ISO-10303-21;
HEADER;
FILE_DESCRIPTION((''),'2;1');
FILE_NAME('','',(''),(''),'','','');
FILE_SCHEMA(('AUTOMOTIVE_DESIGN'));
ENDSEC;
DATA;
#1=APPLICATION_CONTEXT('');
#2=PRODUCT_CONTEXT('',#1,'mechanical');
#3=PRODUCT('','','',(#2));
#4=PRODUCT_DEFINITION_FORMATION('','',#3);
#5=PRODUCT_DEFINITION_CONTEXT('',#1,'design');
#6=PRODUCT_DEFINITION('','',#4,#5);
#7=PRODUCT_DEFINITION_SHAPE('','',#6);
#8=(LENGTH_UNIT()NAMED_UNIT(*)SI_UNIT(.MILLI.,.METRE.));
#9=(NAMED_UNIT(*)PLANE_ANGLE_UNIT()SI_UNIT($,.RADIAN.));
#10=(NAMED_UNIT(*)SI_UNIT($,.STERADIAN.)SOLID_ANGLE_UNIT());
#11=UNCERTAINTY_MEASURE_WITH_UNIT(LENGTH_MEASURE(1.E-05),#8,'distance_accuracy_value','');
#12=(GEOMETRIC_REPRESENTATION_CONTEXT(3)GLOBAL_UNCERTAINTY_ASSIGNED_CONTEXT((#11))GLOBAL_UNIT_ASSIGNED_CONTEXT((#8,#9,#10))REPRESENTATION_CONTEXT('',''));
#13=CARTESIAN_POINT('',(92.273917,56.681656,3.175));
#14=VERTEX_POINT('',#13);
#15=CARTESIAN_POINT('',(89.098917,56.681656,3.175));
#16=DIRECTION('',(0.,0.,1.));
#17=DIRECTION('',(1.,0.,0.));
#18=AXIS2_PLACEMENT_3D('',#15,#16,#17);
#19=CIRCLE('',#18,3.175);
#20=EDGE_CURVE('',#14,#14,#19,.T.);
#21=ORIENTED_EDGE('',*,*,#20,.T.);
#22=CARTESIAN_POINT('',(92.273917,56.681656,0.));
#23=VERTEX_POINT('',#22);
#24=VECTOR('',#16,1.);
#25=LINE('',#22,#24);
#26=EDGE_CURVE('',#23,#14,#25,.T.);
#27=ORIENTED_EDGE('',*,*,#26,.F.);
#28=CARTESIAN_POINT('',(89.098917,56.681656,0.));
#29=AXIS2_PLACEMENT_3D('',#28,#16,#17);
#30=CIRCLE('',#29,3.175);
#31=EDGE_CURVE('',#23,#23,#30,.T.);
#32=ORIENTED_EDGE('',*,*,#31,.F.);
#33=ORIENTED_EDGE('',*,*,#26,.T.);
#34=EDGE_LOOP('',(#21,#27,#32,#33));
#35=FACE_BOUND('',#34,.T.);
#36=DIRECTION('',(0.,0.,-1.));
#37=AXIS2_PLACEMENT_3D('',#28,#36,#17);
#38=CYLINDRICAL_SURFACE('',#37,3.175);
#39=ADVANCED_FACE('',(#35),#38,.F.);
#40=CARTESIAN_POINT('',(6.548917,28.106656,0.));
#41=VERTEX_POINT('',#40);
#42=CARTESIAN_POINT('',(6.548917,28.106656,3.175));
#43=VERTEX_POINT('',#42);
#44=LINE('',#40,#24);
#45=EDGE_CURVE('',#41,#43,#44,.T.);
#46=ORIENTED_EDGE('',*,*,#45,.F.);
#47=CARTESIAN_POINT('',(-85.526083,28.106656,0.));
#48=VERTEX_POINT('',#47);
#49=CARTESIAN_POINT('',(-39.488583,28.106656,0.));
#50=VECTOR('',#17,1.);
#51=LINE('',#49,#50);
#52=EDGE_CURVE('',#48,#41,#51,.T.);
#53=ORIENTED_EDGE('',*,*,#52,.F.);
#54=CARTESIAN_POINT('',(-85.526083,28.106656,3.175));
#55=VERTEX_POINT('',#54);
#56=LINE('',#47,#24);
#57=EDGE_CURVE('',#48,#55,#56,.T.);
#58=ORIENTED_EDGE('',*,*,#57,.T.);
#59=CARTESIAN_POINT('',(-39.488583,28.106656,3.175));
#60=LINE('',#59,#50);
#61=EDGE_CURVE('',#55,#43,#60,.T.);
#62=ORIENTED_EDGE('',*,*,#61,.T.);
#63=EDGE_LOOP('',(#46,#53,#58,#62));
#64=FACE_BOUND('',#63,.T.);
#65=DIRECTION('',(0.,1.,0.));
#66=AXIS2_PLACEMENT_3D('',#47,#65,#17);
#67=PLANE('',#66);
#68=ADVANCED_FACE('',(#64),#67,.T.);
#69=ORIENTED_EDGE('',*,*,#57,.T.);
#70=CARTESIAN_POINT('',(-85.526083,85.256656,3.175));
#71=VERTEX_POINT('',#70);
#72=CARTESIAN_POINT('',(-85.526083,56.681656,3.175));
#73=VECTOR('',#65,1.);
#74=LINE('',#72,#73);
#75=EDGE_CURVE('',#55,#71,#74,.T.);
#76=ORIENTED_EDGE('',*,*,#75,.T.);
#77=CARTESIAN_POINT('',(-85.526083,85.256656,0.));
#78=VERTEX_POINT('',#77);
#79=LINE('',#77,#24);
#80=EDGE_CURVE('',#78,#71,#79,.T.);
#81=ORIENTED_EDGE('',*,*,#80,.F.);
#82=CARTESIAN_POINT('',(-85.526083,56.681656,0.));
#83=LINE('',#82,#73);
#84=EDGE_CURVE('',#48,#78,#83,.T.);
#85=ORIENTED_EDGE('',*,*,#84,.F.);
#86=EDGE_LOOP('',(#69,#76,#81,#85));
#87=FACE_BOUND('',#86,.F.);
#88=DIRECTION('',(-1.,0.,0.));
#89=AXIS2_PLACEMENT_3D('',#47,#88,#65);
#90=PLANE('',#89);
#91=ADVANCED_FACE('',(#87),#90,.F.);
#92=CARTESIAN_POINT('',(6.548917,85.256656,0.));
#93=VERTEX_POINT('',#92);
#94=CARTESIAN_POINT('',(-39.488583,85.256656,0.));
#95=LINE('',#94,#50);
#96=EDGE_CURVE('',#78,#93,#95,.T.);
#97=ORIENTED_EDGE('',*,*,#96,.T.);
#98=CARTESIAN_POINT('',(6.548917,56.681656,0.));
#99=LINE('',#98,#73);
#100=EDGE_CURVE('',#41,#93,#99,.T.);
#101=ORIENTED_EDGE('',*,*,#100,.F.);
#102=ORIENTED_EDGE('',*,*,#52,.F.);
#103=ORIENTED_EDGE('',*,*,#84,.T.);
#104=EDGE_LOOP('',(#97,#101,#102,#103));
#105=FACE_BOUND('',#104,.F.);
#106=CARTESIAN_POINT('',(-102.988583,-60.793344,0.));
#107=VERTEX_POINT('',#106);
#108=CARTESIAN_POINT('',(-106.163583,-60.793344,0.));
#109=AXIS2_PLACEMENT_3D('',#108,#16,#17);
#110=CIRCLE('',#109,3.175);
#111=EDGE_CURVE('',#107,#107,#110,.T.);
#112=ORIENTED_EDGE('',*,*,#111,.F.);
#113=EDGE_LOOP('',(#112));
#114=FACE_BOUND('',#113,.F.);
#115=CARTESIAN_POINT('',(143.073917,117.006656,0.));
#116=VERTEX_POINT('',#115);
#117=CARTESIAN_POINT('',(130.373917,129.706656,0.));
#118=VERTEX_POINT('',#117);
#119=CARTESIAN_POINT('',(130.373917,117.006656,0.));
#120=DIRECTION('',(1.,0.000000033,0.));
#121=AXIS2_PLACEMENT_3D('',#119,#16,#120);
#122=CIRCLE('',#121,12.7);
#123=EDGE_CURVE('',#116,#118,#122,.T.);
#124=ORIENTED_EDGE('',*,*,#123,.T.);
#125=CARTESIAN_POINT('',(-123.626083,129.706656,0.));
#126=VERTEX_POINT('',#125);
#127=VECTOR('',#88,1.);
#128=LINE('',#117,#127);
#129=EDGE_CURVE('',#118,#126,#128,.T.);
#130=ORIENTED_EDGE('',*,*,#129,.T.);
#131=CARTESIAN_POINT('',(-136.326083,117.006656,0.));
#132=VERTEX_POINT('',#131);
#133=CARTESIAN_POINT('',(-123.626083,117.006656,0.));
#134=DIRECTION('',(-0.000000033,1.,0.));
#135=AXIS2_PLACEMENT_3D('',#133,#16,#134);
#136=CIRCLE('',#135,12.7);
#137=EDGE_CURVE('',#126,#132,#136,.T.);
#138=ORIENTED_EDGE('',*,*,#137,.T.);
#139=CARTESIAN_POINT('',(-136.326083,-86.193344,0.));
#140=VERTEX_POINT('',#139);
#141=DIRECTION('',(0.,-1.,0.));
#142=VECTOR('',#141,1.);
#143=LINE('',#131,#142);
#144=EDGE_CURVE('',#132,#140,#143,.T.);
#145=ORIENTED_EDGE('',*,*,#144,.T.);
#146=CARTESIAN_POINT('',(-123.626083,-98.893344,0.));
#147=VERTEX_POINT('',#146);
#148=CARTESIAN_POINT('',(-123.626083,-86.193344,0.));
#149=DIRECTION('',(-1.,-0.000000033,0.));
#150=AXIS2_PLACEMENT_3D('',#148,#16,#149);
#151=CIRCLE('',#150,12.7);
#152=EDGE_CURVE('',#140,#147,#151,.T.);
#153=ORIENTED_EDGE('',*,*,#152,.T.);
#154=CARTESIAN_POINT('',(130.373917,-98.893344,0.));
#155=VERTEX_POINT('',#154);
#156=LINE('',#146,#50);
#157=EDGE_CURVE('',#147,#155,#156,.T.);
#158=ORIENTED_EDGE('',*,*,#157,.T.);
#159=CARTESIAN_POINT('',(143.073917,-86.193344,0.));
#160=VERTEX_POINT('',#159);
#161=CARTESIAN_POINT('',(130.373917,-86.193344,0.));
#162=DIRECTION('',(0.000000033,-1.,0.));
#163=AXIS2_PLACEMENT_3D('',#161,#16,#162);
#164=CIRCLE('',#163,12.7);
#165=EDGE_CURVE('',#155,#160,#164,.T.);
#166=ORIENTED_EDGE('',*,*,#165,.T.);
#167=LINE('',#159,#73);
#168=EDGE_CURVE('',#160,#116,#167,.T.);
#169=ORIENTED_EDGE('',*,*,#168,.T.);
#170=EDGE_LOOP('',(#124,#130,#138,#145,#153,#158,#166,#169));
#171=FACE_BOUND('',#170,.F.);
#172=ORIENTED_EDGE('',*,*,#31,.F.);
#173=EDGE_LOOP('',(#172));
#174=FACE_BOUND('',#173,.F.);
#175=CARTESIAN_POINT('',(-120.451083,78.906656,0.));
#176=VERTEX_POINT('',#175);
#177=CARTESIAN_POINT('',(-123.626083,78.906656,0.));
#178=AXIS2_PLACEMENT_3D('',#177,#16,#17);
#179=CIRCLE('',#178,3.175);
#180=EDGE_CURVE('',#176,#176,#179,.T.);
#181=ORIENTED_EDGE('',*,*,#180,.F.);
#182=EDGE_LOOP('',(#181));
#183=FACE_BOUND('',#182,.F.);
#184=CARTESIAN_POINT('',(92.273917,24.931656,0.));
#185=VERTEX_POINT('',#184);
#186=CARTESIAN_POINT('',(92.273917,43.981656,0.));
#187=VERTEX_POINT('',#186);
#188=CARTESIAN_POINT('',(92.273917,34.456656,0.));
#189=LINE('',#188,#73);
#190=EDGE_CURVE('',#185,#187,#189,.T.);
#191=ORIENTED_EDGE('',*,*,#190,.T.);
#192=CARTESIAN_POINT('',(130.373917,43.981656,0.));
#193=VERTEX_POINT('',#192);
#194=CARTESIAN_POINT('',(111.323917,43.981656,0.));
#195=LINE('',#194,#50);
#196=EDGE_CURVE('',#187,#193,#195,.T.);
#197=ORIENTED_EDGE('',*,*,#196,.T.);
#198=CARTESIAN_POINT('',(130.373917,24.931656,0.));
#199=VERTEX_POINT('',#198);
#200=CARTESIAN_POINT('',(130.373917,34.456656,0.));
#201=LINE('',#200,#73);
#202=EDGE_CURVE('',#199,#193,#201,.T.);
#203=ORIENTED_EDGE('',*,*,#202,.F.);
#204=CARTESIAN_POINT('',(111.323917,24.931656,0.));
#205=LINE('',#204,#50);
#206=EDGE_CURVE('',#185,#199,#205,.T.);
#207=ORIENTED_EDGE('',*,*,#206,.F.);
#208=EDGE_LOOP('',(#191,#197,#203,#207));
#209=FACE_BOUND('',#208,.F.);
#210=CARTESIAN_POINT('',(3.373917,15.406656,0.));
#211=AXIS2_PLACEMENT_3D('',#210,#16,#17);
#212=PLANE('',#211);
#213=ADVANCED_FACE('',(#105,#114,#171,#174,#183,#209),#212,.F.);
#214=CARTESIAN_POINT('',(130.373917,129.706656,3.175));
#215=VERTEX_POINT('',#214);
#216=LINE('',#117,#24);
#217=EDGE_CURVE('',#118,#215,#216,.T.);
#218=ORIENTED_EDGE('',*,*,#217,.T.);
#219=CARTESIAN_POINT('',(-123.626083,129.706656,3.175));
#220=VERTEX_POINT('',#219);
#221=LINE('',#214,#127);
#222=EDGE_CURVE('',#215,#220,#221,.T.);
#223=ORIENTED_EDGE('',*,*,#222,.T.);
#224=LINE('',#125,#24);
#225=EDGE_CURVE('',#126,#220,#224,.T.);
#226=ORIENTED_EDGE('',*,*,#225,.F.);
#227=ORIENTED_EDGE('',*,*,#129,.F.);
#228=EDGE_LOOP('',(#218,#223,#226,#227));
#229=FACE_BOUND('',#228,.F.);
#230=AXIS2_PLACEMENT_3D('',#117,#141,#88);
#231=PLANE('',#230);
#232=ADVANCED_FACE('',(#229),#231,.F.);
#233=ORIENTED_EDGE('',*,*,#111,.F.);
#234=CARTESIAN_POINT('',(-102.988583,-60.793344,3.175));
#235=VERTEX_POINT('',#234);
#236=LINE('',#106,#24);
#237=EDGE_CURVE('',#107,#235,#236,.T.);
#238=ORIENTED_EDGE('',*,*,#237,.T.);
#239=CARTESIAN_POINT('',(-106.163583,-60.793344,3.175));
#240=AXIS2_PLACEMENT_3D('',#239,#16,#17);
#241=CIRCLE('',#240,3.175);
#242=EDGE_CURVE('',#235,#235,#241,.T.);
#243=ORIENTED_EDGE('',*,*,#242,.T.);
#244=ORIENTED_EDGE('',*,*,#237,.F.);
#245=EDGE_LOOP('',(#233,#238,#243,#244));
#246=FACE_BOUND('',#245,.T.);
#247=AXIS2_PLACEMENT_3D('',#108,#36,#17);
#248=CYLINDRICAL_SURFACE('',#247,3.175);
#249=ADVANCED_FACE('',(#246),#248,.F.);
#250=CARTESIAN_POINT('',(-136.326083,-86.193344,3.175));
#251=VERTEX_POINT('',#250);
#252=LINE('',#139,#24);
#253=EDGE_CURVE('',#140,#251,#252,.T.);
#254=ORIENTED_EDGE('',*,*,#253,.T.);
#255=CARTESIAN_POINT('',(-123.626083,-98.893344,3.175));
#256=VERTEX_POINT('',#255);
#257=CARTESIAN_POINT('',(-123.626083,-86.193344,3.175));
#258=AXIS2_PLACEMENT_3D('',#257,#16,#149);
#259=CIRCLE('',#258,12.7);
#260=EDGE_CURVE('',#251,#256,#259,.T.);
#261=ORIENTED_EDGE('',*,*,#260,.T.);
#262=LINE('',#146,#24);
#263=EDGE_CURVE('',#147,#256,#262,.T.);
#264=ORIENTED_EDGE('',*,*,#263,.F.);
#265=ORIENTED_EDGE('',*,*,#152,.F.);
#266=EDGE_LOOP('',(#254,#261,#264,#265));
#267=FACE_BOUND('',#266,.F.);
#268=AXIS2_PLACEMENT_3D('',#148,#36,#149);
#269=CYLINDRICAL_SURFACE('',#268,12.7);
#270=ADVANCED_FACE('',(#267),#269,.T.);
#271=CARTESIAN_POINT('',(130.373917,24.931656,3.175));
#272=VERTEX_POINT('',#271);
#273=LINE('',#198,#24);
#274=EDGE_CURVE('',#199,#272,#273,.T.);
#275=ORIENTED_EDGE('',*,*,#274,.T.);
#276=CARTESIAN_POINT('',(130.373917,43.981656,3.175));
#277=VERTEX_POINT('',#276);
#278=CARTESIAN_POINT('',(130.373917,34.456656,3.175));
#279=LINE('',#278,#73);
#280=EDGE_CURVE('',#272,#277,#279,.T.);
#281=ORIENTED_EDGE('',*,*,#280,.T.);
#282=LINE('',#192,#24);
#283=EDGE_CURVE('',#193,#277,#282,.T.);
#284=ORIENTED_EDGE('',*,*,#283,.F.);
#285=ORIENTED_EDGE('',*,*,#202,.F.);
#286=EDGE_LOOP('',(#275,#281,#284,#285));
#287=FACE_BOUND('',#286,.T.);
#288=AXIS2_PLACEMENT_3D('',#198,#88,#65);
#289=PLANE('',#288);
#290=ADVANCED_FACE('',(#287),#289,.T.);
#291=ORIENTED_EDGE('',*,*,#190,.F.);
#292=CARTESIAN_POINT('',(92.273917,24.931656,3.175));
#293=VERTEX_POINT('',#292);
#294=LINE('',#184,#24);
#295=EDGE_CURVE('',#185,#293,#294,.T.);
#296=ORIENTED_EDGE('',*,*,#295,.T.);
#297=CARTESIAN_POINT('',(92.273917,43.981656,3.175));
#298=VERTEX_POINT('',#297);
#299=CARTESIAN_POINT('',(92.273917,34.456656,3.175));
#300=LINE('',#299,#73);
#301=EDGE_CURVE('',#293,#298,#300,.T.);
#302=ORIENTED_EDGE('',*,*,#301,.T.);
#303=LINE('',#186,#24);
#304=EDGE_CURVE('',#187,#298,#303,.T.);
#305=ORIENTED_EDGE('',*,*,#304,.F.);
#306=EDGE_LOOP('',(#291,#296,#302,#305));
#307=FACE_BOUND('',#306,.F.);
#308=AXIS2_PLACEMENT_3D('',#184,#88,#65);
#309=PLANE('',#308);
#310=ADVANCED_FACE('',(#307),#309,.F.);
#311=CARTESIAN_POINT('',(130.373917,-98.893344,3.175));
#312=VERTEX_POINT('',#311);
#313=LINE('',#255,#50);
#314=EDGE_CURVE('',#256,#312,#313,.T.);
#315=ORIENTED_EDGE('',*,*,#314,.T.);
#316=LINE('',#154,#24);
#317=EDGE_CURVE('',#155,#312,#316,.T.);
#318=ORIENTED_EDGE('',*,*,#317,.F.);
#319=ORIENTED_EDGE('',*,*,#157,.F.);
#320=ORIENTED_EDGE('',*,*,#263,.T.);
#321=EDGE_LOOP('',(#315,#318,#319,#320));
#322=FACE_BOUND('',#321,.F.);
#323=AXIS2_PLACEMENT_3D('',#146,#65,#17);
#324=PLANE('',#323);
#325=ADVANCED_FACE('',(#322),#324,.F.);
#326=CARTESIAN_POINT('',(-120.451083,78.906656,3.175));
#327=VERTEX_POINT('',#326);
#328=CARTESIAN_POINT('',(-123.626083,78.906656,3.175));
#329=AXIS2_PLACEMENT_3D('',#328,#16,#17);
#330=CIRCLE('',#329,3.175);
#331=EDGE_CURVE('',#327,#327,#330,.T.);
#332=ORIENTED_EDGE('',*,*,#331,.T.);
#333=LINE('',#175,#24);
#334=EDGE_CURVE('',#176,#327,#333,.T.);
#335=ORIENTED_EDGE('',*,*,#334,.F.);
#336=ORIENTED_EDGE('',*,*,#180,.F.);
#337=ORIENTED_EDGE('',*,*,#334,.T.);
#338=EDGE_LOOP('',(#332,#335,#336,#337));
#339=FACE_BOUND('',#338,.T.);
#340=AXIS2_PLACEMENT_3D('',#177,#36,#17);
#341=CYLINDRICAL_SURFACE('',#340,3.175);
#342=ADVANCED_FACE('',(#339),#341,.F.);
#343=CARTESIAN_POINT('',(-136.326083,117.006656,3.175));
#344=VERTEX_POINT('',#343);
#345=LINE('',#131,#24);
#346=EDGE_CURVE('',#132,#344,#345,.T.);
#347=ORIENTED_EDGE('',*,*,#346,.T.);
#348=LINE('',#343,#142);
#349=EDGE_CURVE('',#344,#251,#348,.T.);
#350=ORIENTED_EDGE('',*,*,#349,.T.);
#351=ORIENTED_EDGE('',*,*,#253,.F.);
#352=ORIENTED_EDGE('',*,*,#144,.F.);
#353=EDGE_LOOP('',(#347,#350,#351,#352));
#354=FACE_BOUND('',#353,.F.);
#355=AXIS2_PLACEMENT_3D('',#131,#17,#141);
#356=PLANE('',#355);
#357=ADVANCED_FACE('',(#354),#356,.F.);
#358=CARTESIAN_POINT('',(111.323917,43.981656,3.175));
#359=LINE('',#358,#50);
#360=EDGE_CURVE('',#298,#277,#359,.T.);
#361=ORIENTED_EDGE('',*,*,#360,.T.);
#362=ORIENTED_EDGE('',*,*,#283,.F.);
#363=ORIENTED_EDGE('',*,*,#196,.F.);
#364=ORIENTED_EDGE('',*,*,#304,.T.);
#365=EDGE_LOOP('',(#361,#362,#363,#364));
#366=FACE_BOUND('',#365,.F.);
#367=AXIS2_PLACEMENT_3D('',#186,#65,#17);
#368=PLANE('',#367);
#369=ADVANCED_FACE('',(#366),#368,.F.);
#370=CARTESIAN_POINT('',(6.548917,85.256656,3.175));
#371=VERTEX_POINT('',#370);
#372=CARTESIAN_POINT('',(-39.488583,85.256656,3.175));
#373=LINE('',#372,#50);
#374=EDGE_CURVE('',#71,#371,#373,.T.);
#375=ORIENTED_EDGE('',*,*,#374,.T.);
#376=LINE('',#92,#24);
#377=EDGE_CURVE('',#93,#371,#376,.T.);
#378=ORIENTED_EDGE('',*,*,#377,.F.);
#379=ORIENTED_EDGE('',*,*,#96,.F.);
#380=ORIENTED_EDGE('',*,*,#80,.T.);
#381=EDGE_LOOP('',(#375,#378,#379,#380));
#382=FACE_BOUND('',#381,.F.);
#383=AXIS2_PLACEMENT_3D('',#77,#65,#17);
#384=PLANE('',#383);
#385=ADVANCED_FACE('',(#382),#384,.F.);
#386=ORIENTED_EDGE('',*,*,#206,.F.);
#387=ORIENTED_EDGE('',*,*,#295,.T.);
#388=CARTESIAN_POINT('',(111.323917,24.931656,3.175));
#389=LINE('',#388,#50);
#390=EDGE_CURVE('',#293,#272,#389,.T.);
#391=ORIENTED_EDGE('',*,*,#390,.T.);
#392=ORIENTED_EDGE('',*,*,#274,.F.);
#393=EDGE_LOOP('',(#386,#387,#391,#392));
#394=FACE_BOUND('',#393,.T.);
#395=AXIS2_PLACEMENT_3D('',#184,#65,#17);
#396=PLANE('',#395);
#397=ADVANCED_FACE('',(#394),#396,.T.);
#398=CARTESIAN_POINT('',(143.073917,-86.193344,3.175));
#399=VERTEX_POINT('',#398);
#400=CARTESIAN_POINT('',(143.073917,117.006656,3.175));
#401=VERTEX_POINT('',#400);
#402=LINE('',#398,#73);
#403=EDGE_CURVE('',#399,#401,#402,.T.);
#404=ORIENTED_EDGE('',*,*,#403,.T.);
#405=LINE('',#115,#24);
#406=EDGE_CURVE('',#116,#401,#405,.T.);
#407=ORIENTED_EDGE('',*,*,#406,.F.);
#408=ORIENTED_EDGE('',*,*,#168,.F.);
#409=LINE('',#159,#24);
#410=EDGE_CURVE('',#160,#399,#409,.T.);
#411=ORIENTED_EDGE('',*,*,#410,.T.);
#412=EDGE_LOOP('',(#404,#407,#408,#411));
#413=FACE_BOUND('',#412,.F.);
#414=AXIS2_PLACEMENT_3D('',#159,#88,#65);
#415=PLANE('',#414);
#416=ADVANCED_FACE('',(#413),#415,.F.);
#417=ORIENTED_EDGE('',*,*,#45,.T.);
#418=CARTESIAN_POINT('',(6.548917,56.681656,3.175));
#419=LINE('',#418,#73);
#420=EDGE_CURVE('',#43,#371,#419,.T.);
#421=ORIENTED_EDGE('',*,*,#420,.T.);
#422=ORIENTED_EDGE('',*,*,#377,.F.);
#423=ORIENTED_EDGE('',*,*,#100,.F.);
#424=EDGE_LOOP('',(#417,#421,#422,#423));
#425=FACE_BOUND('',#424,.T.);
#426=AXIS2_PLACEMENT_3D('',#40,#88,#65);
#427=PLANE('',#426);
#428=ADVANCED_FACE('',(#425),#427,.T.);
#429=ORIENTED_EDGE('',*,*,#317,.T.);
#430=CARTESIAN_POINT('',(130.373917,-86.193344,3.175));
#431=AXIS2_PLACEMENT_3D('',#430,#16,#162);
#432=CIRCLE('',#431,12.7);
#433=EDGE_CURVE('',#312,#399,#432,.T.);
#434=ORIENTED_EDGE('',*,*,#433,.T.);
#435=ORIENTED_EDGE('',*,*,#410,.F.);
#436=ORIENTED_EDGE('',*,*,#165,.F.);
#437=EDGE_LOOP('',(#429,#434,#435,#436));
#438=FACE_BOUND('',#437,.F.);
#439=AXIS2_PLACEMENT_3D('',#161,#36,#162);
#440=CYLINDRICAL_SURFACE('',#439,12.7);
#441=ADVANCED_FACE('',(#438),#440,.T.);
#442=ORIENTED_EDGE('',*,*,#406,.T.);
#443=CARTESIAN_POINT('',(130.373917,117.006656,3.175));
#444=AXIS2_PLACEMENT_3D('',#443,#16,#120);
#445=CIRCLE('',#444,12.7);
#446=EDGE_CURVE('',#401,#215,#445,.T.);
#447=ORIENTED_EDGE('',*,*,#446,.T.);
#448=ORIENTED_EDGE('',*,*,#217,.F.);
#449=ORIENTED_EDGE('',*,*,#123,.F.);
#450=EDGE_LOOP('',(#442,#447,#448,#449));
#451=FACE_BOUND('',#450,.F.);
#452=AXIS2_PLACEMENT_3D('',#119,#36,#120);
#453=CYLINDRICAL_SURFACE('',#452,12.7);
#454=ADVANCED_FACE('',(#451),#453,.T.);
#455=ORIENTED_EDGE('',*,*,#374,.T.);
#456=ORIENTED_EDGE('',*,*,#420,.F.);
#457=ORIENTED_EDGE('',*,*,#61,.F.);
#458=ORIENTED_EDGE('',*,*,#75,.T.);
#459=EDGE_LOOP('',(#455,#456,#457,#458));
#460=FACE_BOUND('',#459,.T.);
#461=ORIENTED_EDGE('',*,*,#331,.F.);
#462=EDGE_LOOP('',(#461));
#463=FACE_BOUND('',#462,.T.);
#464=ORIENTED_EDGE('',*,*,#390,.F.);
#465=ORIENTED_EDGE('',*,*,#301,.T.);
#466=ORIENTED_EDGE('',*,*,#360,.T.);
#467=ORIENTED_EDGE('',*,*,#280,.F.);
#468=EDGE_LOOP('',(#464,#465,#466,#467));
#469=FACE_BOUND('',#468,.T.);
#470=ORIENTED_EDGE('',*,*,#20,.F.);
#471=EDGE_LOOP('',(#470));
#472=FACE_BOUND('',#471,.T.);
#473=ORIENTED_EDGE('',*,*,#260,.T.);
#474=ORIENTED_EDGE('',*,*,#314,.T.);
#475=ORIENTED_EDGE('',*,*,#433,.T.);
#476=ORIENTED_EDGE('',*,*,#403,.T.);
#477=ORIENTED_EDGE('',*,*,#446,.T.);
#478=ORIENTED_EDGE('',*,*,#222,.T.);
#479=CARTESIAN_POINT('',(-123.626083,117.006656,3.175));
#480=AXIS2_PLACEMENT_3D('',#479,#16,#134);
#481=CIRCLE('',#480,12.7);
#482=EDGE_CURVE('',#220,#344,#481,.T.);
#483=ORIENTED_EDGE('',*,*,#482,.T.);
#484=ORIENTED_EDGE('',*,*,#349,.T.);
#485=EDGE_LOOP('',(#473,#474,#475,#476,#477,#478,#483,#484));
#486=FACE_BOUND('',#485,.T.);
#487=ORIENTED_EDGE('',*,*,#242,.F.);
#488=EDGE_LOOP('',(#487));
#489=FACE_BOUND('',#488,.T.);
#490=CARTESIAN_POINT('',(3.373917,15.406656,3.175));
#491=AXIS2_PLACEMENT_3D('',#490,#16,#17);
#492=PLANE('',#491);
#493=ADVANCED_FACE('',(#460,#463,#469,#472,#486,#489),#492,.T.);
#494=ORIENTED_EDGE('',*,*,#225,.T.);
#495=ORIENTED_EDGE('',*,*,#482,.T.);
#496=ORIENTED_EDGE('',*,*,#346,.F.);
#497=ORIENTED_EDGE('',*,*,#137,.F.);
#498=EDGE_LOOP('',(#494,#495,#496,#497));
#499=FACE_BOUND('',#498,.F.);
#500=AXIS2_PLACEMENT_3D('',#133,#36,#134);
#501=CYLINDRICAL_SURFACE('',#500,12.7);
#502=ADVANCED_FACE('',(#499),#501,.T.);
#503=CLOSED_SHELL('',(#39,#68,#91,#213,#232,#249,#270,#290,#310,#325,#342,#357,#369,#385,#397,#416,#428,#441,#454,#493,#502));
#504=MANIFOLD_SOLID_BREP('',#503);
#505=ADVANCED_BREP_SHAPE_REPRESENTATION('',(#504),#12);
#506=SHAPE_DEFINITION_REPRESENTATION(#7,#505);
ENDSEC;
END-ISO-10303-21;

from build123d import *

# Parameters (mm, degrees)
F0_R     = 3.175
F0_W     = 92.075
F0_H     = 57.15
F0_W_2   = 38.1
F0_H_2   = 19.05
F1_DEPTH = 3.175


with BuildPart() as f1:
    # F0 (on Top) → F1 (new body)
    with BuildSketch(Plane.XY):
        with BuildLine():
            Line((130.373917, 129.706656), (-123.626083, 129.706656))
            ThreePointArc((-123.626083, 129.706656), (-132.606339, 125.986912), (-136.326083, 117.006656))
            Line((-136.326083, 117.006656), (-136.326083, -86.193344))
            ThreePointArc((-136.326083, -86.193344), (-132.606339, -95.1736), (-123.626083, -98.893344))
            Line((-123.626083, -98.893344), (130.373917, -98.893344))
            ThreePointArc((130.373917, -98.893344), (139.354173, -95.1736), (143.073917, -86.193344))
            Line((143.073917, -86.193344), (143.073917, 117.006656))
            ThreePointArc((143.073917, 117.006656), (139.354173, 125.986912), (130.373917, 129.706656))
        make_face()
        with Locations((-106.163583, -60.793344)):
            Circle(F0_R, mode=Mode.SUBTRACT)
        with Locations((-39.488583, 56.681656)):
            Rectangle(F0_W, F0_H, mode=Mode.SUBTRACT)
        with Locations((-123.626083, 78.906656)):
            Circle(F0_R, mode=Mode.SUBTRACT)
        with Locations((111.323917, 34.456656)):
            Rectangle(F0_W_2, F0_H_2, mode=Mode.SUBTRACT)
        with Locations((89.098917, 56.681656)):
            Circle(F0_R, mode=Mode.SUBTRACT)
    extrude(amount=F1_DEPTH)


solid = f1.part
